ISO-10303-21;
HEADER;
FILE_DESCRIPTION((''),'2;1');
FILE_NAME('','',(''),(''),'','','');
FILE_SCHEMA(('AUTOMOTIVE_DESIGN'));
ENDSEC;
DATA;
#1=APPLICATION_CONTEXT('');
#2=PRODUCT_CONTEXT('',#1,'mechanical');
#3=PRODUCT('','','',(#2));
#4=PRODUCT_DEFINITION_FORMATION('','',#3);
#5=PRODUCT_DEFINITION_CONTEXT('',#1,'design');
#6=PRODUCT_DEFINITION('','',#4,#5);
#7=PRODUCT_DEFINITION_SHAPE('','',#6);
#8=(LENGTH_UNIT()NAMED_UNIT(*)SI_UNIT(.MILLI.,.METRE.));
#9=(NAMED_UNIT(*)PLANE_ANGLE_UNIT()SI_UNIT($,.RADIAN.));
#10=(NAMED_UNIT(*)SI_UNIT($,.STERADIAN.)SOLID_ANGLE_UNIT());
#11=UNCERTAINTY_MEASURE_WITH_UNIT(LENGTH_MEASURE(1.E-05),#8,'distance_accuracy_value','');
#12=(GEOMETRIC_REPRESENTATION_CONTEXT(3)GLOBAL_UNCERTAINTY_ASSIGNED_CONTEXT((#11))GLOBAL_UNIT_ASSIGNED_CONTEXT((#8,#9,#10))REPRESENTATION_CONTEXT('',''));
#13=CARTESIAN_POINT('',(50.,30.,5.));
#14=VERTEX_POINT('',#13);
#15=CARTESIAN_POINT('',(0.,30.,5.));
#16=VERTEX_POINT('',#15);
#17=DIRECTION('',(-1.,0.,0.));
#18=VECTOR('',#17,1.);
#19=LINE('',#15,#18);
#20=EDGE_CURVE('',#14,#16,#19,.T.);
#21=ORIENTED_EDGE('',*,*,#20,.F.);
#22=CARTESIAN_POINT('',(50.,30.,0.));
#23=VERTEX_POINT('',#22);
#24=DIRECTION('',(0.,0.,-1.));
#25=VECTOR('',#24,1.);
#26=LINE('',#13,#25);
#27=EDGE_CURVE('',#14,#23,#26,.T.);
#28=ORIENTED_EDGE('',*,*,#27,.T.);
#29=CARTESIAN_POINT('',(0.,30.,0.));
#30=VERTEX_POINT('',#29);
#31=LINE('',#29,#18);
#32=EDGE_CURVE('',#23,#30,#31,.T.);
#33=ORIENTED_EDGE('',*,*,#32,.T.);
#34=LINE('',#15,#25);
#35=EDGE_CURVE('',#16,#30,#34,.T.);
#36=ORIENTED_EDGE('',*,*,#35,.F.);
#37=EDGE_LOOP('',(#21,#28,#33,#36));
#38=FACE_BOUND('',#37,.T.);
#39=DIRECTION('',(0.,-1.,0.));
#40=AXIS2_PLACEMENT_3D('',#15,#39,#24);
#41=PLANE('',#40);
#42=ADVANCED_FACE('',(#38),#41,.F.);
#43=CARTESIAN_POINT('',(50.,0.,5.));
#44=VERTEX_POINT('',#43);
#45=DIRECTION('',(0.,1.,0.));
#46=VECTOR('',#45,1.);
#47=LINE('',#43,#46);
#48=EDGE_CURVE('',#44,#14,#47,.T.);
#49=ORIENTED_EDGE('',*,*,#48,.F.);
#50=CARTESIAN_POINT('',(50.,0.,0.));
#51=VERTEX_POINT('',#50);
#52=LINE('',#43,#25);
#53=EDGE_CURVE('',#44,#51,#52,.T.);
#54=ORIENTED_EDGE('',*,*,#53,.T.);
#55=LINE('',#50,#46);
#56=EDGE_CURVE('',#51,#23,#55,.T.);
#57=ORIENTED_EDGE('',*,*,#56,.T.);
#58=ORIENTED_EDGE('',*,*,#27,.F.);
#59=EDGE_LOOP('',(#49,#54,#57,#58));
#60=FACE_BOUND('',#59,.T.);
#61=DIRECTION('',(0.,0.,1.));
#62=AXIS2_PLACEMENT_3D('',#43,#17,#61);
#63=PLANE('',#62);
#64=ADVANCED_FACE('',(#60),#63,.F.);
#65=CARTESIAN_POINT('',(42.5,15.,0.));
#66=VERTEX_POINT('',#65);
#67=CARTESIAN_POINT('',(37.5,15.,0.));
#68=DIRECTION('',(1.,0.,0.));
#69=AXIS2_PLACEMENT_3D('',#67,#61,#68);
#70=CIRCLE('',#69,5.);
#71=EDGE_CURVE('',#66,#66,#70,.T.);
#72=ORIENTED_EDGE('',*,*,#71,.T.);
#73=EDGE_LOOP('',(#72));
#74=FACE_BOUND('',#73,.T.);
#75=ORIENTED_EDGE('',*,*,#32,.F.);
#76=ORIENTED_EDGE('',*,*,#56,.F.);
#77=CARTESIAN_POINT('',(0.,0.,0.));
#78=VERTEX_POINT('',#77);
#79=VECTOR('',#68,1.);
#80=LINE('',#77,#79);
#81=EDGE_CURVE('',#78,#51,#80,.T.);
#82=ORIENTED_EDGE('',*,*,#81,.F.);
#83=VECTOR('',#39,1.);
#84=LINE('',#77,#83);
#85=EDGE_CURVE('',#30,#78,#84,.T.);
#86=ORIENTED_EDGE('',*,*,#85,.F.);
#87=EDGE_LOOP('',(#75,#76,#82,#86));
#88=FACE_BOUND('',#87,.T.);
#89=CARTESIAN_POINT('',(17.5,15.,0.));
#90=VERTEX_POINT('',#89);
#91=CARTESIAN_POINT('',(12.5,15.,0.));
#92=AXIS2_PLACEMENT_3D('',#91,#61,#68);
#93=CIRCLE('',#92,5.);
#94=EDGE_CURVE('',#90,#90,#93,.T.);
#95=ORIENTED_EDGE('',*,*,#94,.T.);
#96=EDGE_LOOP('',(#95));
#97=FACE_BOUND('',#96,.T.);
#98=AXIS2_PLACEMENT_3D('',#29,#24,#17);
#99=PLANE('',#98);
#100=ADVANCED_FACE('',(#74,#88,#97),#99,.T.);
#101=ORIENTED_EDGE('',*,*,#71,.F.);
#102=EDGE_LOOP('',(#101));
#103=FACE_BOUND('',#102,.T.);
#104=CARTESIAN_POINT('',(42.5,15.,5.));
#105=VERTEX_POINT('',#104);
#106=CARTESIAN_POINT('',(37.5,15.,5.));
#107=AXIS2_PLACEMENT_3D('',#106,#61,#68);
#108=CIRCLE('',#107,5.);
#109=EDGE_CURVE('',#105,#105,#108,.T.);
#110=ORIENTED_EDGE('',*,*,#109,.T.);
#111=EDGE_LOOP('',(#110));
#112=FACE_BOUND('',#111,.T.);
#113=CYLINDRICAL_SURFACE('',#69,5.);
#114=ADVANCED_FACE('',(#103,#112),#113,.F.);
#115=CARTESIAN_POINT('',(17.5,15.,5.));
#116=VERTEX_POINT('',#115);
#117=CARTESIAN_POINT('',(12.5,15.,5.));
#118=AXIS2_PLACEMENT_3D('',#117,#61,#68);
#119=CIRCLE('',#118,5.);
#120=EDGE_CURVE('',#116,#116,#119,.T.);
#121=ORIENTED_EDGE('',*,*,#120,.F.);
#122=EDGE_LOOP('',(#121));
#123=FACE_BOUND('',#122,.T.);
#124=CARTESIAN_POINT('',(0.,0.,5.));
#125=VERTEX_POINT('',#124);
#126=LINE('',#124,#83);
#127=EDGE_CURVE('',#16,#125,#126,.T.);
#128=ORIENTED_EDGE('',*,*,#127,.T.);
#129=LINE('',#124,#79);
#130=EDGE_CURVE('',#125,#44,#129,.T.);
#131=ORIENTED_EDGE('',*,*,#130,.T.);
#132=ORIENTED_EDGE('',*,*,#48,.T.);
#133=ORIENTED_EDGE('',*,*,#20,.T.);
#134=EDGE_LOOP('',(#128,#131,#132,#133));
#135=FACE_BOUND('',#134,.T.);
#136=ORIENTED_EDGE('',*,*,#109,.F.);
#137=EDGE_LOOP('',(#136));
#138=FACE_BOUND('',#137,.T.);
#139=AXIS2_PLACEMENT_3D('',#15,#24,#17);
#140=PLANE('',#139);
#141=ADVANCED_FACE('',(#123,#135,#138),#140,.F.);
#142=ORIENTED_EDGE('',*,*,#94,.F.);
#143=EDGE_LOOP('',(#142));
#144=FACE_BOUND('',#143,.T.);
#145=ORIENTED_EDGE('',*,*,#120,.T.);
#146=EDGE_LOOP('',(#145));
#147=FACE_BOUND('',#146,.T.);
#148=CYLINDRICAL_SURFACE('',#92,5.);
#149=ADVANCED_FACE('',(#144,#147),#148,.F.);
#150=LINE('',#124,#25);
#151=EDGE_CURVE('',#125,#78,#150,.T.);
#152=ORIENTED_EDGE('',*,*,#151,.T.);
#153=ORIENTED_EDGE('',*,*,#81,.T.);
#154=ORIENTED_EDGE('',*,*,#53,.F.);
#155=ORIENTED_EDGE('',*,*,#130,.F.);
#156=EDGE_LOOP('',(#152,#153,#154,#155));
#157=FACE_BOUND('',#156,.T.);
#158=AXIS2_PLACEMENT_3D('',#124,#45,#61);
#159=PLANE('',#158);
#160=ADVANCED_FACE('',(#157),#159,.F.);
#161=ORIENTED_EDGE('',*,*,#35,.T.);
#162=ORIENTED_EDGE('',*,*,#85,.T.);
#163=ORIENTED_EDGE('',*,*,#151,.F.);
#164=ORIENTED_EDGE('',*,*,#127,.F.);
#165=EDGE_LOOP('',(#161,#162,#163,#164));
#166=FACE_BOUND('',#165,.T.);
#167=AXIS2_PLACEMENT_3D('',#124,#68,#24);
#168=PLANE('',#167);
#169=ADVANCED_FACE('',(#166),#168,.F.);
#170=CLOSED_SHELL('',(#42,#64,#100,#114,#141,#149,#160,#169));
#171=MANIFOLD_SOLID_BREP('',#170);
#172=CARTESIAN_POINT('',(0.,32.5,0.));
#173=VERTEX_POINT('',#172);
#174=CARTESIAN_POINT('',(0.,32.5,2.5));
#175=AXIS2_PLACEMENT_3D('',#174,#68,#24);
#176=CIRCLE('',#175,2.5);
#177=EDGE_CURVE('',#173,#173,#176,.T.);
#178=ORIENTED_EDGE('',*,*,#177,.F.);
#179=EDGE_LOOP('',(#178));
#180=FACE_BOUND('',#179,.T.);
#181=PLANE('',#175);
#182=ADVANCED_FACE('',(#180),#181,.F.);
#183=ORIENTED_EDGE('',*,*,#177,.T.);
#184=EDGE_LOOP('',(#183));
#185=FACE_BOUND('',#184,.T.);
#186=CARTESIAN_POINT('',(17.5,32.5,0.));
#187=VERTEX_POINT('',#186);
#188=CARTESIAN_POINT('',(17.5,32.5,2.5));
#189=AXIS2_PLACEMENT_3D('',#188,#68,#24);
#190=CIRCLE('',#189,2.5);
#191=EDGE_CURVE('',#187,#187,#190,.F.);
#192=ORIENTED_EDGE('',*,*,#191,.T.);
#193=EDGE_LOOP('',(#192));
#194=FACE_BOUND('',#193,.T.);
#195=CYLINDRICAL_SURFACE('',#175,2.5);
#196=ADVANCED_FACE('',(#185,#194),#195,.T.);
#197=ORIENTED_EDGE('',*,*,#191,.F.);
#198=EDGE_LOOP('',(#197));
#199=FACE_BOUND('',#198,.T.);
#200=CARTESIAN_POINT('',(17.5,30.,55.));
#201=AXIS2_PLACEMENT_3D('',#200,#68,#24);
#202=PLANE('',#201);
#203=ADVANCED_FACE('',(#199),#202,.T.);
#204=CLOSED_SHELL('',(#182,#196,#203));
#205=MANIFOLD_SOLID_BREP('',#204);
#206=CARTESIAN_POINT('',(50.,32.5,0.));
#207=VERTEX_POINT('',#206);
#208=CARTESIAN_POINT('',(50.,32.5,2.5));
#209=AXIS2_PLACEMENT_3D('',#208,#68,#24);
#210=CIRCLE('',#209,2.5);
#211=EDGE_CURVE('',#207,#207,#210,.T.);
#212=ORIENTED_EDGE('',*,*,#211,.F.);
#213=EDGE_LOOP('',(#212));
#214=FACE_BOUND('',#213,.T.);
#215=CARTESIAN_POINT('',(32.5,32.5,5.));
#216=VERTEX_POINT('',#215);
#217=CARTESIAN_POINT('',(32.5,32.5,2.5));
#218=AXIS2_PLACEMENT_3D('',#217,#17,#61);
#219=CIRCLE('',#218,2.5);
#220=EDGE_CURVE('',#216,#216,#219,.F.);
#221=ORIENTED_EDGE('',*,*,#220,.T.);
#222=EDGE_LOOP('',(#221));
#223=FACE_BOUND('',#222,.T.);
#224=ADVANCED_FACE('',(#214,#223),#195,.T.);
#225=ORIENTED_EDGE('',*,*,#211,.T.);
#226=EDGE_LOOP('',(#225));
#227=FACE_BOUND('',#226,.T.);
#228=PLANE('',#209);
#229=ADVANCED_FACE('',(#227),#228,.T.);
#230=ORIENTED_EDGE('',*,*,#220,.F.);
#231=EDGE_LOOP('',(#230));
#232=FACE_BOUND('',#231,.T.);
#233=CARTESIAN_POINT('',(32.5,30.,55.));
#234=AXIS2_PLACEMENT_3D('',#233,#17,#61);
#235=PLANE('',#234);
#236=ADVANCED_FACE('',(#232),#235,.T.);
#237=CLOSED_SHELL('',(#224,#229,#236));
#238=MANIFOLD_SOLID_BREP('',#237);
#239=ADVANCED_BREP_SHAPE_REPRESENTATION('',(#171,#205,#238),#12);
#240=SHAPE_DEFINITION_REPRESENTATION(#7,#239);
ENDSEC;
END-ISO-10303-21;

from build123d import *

# Parameters (mm, degrees)
ESQUISSE1_W                  = 50
ESQUISSE1_H                  = 30
BOSS_EXTRU_1_DEPTH           = 5
ESQUISSE2_R                  = 5
ENL_V_MAT_EXTRU_1_DEPTH      = 59.523499554
ESQUISSE3_R                  = 2.5
BOSS_EXTRU_2_DEPTH           = 50
ENL_V_MAT_EXTRU_4_DEPTH      = 50
ENL_V_MAT_EXTRU_4_DEPTH_BACK = 50
ESQUISSE4_W                  = 15
ESQUISSE4_H                  = 5


with BuildPart() as part:
    # Esquisse1 → Boss.-Extru.1 (new body)
    with BuildSketch(Plane.XY):
        with Locations((25, 15)):
            Rectangle(ESQUISSE1_W, ESQUISSE1_H)
    extrude(amount=BOSS_EXTRU_1_DEPTH)

    # Esquisse2 → Enlèv. mat.-Extru.1 (cut, through all)
    with BuildSketch(Plane.XY.offset(5)):
        with Locations((12.5, 15)):
            Circle(ESQUISSE2_R)
        with Locations((37.5, 15)):
            Circle(ESQUISSE2_R)
    extrude(amount=-ENL_V_MAT_EXTRU_1_DEPTH, mode=Mode.SUBTRACT)


with BuildPart() as body_2:
    # Esquisse3 → Boss.-Extru.2 (new body)
    with BuildSketch(Plane(origin=(50, 0, 0), x_dir=(0, 0, -1), z_dir=(1, 0, 0))):
        with Locations((-2.5, 32.5)):
            Circle(ESQUISSE3_R)
    extrude(amount=-BOSS_EXTRU_2_DEPTH)

    # Esquisse4 → Enlèv. mat.-Extru.4 (cut, two sides: drawn at the far end of the back side and taken through both)
    with BuildSketch(Plane.XY.offset(5).offset(-ENL_V_MAT_EXTRU_4_DEPTH_BACK)):
        with Locations((25, 32.5)):
            Rectangle(ESQUISSE4_W, ESQUISSE4_H)
    extrude(amount=ENL_V_MAT_EXTRU_4_DEPTH + ENL_V_MAT_EXTRU_4_DEPTH_BACK, mode=Mode.SUBTRACT)


with BuildPart() as enl_v_mat_extru_4_piece_1:
    # of the separate pieces the step leaves, piece 1, a body of its own (enl_v_mat_extru_4_pieces)
    add(body_2.part.solids().sort_by_distance((17.5, 32.5, 0))[0])


with BuildPart() as enl_v_mat_extru_4_piece_2:
    # of the separate pieces the step leaves, piece 2, a body of its own (enl_v_mat_extru_4_pieces)
    add(body_2.part.solids().sort_by_distance((50, 32.5, 0))[0])


solid = Compound([part.part, enl_v_mat_extru_4_piece_1.part, enl_v_mat_extru_4_piece_2.part])
